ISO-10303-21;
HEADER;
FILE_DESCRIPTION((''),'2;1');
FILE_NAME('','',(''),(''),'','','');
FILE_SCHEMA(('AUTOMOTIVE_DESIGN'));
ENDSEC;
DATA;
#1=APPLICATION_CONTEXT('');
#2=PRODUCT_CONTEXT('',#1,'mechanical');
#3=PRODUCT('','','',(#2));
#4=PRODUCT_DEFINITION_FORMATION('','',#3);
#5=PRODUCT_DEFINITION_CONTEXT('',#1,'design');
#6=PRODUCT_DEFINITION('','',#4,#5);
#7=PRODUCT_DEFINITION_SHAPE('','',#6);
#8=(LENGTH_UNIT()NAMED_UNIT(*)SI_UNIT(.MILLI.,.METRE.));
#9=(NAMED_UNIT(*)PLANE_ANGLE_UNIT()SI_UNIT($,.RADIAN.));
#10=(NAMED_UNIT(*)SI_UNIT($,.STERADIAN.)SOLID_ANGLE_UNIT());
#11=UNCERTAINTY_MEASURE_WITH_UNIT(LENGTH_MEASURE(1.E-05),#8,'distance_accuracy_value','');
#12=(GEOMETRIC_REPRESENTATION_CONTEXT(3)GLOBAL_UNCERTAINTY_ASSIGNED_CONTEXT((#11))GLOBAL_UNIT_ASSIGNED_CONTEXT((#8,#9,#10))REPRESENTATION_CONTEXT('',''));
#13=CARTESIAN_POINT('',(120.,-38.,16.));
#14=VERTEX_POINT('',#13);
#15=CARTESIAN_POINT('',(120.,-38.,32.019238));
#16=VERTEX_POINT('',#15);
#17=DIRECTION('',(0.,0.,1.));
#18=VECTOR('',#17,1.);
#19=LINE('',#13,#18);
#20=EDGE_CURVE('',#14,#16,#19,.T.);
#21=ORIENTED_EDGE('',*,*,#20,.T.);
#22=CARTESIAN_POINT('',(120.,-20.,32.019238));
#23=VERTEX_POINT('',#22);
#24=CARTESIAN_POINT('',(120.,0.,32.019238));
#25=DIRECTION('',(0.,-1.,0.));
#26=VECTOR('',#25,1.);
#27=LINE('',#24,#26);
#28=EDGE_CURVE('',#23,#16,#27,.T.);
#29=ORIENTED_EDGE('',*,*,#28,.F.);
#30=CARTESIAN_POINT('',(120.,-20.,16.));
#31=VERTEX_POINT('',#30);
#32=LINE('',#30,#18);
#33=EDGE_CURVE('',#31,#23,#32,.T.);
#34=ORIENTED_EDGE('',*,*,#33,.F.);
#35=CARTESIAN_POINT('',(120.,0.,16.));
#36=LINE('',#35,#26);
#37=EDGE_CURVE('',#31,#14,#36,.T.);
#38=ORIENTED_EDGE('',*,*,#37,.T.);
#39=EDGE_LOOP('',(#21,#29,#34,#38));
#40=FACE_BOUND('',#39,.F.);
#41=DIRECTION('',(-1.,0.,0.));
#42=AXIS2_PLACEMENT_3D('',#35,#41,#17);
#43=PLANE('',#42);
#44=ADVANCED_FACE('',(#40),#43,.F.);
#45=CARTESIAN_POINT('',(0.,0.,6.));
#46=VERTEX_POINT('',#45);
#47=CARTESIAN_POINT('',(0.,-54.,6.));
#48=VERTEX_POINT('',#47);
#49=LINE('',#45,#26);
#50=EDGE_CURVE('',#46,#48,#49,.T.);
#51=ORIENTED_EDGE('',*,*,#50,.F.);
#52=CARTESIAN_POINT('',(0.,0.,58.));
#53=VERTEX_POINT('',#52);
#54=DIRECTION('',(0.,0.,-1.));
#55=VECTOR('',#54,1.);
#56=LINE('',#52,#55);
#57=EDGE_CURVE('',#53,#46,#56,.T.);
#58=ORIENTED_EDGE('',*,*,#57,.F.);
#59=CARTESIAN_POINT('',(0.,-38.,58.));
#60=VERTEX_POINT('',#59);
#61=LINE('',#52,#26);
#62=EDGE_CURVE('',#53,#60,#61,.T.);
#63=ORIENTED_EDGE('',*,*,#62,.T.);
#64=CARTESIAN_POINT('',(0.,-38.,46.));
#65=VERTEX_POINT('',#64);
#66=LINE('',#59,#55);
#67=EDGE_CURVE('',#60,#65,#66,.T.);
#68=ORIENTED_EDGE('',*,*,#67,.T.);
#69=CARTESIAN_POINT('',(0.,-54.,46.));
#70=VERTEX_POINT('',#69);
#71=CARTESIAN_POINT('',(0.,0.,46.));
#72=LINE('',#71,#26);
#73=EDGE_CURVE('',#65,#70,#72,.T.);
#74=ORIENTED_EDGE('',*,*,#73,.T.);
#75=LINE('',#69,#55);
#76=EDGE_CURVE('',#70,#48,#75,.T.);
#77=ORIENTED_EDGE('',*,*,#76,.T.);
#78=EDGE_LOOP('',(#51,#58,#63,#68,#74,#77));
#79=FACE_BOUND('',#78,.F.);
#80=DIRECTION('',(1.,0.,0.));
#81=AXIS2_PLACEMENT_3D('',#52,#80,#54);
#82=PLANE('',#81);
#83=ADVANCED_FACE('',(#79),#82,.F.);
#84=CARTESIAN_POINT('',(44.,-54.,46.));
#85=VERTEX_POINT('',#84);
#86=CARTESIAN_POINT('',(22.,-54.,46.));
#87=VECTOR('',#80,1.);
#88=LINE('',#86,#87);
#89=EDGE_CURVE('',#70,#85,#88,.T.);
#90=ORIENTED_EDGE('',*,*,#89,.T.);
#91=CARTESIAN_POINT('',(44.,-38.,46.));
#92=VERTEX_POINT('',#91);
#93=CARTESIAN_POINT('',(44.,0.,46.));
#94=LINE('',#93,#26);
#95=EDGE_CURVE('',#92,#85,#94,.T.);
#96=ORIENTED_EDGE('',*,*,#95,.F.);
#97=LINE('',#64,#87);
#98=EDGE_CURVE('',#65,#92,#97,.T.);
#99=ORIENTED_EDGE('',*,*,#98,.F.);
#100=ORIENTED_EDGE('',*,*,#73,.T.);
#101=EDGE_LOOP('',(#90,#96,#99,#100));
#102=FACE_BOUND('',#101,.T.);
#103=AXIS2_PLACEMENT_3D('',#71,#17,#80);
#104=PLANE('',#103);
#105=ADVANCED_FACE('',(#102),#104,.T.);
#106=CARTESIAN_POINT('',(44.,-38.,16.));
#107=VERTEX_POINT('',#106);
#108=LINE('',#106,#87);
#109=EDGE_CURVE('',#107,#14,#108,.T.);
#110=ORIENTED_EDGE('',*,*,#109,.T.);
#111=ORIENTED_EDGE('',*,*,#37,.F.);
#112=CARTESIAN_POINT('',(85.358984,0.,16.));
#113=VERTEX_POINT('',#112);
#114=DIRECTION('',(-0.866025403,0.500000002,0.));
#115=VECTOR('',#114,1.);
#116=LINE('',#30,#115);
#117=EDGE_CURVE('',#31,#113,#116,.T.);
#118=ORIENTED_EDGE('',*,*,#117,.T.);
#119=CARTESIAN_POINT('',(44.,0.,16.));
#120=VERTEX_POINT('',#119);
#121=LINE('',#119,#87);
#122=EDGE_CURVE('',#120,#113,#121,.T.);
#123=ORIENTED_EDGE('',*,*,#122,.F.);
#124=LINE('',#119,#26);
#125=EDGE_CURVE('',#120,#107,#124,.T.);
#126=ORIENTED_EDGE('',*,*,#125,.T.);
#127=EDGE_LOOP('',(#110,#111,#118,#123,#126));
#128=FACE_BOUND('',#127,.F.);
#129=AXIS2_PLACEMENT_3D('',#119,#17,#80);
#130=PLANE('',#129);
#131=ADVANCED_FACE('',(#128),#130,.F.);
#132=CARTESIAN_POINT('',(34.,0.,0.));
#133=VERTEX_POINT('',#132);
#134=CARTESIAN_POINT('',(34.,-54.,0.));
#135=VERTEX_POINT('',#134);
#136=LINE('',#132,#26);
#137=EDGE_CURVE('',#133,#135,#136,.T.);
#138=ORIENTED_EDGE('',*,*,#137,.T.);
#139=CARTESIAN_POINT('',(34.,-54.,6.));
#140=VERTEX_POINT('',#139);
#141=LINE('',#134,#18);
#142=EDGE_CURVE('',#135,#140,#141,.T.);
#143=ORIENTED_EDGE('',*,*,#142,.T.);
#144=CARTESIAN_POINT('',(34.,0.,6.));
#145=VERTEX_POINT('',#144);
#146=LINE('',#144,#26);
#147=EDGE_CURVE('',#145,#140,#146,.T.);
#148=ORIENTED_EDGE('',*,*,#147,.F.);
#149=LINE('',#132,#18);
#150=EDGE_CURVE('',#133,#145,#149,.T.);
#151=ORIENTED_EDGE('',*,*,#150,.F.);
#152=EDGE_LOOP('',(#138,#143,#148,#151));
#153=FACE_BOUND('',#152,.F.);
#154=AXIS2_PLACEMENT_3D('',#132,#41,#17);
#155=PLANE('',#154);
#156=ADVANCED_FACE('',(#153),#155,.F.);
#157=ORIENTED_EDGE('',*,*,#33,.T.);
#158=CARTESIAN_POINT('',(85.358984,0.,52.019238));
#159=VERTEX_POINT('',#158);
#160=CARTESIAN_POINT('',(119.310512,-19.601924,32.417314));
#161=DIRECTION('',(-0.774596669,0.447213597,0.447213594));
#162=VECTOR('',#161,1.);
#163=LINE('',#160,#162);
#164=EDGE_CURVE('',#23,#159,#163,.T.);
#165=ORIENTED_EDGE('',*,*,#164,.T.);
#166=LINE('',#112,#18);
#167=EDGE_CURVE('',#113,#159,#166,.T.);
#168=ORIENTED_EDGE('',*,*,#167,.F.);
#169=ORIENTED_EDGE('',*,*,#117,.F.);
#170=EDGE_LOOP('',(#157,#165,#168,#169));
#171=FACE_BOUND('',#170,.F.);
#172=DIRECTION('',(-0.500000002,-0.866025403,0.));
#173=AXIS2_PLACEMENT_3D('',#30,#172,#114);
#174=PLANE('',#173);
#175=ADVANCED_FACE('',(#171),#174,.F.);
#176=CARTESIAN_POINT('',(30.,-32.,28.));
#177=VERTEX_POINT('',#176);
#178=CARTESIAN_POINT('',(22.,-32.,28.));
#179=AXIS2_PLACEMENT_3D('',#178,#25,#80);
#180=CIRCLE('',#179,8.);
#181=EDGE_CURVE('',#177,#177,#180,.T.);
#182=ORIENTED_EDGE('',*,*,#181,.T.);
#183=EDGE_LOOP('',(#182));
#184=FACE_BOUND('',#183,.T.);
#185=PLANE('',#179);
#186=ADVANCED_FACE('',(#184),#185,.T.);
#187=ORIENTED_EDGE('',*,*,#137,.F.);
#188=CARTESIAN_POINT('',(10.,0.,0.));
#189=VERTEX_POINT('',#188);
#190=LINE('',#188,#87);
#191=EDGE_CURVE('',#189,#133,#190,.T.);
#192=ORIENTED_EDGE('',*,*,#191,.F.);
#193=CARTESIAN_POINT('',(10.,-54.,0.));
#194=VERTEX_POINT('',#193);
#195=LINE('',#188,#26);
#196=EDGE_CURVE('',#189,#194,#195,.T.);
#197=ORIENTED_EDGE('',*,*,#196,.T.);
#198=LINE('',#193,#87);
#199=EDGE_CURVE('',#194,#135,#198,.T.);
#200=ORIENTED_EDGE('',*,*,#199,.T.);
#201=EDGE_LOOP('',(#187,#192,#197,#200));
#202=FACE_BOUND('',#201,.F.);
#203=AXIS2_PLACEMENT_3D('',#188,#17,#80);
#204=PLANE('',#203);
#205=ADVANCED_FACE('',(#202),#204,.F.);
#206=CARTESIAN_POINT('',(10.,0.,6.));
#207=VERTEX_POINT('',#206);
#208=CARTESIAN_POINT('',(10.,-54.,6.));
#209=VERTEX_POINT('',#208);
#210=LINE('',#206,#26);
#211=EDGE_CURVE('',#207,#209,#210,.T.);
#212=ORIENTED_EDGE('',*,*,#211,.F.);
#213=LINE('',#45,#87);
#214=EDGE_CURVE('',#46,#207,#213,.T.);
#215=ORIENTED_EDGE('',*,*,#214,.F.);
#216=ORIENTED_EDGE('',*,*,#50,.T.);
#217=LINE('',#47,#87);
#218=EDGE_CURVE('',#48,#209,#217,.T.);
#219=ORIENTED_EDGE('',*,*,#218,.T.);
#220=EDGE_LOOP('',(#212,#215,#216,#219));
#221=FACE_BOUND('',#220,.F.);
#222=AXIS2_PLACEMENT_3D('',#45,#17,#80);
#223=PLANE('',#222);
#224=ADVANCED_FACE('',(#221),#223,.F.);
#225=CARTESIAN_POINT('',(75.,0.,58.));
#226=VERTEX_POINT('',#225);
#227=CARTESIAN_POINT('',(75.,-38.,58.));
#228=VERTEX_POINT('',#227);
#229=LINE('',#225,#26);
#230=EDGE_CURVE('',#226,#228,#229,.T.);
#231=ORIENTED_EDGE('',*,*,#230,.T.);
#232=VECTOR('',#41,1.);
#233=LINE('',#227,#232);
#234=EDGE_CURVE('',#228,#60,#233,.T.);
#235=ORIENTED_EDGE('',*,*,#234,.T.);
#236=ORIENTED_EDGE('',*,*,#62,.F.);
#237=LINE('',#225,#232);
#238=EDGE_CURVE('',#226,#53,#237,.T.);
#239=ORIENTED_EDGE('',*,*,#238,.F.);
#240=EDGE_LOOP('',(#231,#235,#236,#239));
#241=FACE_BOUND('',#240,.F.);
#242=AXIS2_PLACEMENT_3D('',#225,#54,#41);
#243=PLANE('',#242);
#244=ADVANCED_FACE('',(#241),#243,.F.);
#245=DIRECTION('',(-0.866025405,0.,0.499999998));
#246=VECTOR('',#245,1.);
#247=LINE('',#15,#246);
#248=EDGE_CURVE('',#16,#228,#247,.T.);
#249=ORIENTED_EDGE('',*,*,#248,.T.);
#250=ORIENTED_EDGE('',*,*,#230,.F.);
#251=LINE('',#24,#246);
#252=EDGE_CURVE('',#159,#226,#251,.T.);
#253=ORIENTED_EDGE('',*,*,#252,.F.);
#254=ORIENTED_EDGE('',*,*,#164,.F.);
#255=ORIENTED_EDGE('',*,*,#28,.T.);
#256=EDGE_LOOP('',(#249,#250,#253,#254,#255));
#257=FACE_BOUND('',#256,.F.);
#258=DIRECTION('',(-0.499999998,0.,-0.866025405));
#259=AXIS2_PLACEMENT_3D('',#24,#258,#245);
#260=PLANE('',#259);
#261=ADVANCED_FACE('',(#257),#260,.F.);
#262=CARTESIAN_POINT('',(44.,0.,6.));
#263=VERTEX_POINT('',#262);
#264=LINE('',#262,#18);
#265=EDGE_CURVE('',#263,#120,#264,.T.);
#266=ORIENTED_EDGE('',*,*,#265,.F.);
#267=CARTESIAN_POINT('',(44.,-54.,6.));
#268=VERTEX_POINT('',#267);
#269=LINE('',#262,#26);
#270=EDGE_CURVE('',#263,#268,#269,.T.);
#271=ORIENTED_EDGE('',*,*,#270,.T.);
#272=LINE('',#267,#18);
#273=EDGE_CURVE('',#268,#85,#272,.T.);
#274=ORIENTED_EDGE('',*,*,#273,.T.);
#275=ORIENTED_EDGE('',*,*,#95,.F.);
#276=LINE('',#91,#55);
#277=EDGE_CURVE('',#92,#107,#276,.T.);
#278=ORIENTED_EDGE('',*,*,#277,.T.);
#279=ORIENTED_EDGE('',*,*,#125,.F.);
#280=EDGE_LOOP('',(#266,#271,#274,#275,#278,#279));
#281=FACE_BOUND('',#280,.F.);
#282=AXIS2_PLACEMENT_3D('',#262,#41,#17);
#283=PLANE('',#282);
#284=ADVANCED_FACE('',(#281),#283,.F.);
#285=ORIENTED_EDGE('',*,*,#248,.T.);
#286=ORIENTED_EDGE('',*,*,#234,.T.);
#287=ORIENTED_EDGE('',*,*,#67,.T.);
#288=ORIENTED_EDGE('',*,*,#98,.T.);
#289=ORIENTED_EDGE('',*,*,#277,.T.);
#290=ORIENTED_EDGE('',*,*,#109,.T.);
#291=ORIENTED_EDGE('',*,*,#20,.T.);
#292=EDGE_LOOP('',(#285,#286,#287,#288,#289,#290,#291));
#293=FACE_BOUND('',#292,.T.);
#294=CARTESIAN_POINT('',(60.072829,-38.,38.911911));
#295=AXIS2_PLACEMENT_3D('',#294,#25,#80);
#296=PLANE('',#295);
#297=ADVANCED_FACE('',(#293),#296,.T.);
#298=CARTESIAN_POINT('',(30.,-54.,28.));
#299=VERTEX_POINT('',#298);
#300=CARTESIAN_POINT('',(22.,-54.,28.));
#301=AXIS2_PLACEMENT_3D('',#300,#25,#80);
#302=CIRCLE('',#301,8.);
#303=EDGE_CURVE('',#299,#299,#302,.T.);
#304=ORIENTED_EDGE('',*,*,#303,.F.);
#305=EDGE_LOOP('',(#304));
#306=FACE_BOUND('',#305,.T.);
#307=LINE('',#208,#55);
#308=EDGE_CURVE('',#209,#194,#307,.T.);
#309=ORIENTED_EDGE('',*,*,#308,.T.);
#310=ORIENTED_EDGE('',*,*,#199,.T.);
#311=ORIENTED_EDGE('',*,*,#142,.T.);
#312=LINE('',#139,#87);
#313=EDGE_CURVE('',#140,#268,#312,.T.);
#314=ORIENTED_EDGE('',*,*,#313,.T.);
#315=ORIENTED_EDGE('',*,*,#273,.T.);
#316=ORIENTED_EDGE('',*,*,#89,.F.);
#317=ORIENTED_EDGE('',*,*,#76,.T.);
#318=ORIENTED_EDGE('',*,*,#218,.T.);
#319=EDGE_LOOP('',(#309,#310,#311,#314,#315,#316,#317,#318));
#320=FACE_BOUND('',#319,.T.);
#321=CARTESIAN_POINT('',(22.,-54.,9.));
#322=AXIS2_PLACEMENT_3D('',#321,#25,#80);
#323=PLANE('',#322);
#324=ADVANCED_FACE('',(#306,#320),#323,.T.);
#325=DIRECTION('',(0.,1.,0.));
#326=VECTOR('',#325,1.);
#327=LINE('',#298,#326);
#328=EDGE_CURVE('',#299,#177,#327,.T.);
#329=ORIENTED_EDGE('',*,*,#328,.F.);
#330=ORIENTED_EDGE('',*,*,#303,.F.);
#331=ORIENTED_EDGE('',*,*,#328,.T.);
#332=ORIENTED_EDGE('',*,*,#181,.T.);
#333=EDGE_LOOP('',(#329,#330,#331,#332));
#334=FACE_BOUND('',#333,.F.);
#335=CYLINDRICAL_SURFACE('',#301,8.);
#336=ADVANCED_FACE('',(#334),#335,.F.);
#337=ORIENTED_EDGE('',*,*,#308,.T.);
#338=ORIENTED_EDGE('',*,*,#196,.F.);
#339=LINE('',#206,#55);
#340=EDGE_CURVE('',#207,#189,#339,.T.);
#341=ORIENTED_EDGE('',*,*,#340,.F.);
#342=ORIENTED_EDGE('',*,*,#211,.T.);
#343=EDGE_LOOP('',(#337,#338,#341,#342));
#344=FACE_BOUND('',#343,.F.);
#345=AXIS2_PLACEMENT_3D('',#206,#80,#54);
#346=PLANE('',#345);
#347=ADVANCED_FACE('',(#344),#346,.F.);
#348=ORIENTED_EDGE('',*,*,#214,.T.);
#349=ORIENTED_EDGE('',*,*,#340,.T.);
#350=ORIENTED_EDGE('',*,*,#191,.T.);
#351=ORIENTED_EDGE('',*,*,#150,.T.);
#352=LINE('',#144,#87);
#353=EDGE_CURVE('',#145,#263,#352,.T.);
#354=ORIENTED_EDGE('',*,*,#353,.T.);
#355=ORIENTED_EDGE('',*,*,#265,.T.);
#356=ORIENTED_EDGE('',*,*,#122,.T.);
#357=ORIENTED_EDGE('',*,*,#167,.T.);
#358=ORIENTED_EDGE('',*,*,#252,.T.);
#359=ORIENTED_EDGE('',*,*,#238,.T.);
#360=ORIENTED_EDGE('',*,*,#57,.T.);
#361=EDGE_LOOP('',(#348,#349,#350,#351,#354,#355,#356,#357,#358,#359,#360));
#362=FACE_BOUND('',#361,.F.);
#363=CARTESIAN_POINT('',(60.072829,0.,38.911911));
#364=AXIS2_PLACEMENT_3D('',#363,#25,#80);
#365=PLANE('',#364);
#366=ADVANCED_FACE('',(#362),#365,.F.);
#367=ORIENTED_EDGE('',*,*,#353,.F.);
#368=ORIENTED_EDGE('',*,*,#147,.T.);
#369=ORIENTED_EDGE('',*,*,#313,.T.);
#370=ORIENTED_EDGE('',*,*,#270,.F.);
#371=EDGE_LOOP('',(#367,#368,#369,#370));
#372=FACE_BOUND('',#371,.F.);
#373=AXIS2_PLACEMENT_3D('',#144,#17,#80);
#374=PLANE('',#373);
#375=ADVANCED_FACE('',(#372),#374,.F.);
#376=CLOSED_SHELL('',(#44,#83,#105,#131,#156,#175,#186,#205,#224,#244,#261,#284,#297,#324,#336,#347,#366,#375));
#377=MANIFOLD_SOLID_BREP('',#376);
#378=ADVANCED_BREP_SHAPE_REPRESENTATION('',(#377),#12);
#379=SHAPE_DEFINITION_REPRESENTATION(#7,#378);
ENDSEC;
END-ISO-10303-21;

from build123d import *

# Parameters (mm, degrees)
F0_W     = 44
F0_H     = 30
F0_R     = 8
F1_DEPTH = 54
F2_DEPTH = 38
F3_R     = 8
F4_DEPTH = 22
F6_DEPTH = 42.001


with BuildPart() as f1:
    # F0 (on Front) → F1 (new body)
    with BuildSketch(Plane.XZ):
        Polygon((0, 16), (0, 6), (10, 6), (10, 0), (34, 0), (34, 6), (44, 6), (44, 16), align=None)
        with Locations((22, 31)):
            Rectangle(F0_W, F0_H)
        with Locations((22, 28)):
            Circle(F0_R, mode=Mode.SUBTRACT)
        with Locations((22, 28)):
            Circle(F0_R)
    extrude(amount=F1_DEPTH)

    # F0 (on Front) → F2 (join)
    with BuildSketch(Plane.XZ):
        Polygon((0, 58), (0, 46), (44, 46), (44, 16), (120, 16), (120, 32.019238), (75, 58), align=None)
    extrude(amount=F2_DEPTH)

    # F3 (on face) → F4 (cut)
    with BuildSketch(Plane.XZ.offset(54)):
        with Locations((22, 28)):
            Circle(F3_R)
    extrude(amount=-F4_DEPTH, mode=Mode.SUBTRACT)

    # F5 (on face) → F6 (cut, through all)
    with BuildSketch(Plane(origin=(0, 0, 16), x_dir=(1, 0, 0), z_dir=(0, 0, -1))):
        Polygon((85.358984, 0), (120, 0), (120, 20), align=None)
    extrude(amount=-F6_DEPTH, mode=Mode.SUBTRACT)


solid = f1.part
